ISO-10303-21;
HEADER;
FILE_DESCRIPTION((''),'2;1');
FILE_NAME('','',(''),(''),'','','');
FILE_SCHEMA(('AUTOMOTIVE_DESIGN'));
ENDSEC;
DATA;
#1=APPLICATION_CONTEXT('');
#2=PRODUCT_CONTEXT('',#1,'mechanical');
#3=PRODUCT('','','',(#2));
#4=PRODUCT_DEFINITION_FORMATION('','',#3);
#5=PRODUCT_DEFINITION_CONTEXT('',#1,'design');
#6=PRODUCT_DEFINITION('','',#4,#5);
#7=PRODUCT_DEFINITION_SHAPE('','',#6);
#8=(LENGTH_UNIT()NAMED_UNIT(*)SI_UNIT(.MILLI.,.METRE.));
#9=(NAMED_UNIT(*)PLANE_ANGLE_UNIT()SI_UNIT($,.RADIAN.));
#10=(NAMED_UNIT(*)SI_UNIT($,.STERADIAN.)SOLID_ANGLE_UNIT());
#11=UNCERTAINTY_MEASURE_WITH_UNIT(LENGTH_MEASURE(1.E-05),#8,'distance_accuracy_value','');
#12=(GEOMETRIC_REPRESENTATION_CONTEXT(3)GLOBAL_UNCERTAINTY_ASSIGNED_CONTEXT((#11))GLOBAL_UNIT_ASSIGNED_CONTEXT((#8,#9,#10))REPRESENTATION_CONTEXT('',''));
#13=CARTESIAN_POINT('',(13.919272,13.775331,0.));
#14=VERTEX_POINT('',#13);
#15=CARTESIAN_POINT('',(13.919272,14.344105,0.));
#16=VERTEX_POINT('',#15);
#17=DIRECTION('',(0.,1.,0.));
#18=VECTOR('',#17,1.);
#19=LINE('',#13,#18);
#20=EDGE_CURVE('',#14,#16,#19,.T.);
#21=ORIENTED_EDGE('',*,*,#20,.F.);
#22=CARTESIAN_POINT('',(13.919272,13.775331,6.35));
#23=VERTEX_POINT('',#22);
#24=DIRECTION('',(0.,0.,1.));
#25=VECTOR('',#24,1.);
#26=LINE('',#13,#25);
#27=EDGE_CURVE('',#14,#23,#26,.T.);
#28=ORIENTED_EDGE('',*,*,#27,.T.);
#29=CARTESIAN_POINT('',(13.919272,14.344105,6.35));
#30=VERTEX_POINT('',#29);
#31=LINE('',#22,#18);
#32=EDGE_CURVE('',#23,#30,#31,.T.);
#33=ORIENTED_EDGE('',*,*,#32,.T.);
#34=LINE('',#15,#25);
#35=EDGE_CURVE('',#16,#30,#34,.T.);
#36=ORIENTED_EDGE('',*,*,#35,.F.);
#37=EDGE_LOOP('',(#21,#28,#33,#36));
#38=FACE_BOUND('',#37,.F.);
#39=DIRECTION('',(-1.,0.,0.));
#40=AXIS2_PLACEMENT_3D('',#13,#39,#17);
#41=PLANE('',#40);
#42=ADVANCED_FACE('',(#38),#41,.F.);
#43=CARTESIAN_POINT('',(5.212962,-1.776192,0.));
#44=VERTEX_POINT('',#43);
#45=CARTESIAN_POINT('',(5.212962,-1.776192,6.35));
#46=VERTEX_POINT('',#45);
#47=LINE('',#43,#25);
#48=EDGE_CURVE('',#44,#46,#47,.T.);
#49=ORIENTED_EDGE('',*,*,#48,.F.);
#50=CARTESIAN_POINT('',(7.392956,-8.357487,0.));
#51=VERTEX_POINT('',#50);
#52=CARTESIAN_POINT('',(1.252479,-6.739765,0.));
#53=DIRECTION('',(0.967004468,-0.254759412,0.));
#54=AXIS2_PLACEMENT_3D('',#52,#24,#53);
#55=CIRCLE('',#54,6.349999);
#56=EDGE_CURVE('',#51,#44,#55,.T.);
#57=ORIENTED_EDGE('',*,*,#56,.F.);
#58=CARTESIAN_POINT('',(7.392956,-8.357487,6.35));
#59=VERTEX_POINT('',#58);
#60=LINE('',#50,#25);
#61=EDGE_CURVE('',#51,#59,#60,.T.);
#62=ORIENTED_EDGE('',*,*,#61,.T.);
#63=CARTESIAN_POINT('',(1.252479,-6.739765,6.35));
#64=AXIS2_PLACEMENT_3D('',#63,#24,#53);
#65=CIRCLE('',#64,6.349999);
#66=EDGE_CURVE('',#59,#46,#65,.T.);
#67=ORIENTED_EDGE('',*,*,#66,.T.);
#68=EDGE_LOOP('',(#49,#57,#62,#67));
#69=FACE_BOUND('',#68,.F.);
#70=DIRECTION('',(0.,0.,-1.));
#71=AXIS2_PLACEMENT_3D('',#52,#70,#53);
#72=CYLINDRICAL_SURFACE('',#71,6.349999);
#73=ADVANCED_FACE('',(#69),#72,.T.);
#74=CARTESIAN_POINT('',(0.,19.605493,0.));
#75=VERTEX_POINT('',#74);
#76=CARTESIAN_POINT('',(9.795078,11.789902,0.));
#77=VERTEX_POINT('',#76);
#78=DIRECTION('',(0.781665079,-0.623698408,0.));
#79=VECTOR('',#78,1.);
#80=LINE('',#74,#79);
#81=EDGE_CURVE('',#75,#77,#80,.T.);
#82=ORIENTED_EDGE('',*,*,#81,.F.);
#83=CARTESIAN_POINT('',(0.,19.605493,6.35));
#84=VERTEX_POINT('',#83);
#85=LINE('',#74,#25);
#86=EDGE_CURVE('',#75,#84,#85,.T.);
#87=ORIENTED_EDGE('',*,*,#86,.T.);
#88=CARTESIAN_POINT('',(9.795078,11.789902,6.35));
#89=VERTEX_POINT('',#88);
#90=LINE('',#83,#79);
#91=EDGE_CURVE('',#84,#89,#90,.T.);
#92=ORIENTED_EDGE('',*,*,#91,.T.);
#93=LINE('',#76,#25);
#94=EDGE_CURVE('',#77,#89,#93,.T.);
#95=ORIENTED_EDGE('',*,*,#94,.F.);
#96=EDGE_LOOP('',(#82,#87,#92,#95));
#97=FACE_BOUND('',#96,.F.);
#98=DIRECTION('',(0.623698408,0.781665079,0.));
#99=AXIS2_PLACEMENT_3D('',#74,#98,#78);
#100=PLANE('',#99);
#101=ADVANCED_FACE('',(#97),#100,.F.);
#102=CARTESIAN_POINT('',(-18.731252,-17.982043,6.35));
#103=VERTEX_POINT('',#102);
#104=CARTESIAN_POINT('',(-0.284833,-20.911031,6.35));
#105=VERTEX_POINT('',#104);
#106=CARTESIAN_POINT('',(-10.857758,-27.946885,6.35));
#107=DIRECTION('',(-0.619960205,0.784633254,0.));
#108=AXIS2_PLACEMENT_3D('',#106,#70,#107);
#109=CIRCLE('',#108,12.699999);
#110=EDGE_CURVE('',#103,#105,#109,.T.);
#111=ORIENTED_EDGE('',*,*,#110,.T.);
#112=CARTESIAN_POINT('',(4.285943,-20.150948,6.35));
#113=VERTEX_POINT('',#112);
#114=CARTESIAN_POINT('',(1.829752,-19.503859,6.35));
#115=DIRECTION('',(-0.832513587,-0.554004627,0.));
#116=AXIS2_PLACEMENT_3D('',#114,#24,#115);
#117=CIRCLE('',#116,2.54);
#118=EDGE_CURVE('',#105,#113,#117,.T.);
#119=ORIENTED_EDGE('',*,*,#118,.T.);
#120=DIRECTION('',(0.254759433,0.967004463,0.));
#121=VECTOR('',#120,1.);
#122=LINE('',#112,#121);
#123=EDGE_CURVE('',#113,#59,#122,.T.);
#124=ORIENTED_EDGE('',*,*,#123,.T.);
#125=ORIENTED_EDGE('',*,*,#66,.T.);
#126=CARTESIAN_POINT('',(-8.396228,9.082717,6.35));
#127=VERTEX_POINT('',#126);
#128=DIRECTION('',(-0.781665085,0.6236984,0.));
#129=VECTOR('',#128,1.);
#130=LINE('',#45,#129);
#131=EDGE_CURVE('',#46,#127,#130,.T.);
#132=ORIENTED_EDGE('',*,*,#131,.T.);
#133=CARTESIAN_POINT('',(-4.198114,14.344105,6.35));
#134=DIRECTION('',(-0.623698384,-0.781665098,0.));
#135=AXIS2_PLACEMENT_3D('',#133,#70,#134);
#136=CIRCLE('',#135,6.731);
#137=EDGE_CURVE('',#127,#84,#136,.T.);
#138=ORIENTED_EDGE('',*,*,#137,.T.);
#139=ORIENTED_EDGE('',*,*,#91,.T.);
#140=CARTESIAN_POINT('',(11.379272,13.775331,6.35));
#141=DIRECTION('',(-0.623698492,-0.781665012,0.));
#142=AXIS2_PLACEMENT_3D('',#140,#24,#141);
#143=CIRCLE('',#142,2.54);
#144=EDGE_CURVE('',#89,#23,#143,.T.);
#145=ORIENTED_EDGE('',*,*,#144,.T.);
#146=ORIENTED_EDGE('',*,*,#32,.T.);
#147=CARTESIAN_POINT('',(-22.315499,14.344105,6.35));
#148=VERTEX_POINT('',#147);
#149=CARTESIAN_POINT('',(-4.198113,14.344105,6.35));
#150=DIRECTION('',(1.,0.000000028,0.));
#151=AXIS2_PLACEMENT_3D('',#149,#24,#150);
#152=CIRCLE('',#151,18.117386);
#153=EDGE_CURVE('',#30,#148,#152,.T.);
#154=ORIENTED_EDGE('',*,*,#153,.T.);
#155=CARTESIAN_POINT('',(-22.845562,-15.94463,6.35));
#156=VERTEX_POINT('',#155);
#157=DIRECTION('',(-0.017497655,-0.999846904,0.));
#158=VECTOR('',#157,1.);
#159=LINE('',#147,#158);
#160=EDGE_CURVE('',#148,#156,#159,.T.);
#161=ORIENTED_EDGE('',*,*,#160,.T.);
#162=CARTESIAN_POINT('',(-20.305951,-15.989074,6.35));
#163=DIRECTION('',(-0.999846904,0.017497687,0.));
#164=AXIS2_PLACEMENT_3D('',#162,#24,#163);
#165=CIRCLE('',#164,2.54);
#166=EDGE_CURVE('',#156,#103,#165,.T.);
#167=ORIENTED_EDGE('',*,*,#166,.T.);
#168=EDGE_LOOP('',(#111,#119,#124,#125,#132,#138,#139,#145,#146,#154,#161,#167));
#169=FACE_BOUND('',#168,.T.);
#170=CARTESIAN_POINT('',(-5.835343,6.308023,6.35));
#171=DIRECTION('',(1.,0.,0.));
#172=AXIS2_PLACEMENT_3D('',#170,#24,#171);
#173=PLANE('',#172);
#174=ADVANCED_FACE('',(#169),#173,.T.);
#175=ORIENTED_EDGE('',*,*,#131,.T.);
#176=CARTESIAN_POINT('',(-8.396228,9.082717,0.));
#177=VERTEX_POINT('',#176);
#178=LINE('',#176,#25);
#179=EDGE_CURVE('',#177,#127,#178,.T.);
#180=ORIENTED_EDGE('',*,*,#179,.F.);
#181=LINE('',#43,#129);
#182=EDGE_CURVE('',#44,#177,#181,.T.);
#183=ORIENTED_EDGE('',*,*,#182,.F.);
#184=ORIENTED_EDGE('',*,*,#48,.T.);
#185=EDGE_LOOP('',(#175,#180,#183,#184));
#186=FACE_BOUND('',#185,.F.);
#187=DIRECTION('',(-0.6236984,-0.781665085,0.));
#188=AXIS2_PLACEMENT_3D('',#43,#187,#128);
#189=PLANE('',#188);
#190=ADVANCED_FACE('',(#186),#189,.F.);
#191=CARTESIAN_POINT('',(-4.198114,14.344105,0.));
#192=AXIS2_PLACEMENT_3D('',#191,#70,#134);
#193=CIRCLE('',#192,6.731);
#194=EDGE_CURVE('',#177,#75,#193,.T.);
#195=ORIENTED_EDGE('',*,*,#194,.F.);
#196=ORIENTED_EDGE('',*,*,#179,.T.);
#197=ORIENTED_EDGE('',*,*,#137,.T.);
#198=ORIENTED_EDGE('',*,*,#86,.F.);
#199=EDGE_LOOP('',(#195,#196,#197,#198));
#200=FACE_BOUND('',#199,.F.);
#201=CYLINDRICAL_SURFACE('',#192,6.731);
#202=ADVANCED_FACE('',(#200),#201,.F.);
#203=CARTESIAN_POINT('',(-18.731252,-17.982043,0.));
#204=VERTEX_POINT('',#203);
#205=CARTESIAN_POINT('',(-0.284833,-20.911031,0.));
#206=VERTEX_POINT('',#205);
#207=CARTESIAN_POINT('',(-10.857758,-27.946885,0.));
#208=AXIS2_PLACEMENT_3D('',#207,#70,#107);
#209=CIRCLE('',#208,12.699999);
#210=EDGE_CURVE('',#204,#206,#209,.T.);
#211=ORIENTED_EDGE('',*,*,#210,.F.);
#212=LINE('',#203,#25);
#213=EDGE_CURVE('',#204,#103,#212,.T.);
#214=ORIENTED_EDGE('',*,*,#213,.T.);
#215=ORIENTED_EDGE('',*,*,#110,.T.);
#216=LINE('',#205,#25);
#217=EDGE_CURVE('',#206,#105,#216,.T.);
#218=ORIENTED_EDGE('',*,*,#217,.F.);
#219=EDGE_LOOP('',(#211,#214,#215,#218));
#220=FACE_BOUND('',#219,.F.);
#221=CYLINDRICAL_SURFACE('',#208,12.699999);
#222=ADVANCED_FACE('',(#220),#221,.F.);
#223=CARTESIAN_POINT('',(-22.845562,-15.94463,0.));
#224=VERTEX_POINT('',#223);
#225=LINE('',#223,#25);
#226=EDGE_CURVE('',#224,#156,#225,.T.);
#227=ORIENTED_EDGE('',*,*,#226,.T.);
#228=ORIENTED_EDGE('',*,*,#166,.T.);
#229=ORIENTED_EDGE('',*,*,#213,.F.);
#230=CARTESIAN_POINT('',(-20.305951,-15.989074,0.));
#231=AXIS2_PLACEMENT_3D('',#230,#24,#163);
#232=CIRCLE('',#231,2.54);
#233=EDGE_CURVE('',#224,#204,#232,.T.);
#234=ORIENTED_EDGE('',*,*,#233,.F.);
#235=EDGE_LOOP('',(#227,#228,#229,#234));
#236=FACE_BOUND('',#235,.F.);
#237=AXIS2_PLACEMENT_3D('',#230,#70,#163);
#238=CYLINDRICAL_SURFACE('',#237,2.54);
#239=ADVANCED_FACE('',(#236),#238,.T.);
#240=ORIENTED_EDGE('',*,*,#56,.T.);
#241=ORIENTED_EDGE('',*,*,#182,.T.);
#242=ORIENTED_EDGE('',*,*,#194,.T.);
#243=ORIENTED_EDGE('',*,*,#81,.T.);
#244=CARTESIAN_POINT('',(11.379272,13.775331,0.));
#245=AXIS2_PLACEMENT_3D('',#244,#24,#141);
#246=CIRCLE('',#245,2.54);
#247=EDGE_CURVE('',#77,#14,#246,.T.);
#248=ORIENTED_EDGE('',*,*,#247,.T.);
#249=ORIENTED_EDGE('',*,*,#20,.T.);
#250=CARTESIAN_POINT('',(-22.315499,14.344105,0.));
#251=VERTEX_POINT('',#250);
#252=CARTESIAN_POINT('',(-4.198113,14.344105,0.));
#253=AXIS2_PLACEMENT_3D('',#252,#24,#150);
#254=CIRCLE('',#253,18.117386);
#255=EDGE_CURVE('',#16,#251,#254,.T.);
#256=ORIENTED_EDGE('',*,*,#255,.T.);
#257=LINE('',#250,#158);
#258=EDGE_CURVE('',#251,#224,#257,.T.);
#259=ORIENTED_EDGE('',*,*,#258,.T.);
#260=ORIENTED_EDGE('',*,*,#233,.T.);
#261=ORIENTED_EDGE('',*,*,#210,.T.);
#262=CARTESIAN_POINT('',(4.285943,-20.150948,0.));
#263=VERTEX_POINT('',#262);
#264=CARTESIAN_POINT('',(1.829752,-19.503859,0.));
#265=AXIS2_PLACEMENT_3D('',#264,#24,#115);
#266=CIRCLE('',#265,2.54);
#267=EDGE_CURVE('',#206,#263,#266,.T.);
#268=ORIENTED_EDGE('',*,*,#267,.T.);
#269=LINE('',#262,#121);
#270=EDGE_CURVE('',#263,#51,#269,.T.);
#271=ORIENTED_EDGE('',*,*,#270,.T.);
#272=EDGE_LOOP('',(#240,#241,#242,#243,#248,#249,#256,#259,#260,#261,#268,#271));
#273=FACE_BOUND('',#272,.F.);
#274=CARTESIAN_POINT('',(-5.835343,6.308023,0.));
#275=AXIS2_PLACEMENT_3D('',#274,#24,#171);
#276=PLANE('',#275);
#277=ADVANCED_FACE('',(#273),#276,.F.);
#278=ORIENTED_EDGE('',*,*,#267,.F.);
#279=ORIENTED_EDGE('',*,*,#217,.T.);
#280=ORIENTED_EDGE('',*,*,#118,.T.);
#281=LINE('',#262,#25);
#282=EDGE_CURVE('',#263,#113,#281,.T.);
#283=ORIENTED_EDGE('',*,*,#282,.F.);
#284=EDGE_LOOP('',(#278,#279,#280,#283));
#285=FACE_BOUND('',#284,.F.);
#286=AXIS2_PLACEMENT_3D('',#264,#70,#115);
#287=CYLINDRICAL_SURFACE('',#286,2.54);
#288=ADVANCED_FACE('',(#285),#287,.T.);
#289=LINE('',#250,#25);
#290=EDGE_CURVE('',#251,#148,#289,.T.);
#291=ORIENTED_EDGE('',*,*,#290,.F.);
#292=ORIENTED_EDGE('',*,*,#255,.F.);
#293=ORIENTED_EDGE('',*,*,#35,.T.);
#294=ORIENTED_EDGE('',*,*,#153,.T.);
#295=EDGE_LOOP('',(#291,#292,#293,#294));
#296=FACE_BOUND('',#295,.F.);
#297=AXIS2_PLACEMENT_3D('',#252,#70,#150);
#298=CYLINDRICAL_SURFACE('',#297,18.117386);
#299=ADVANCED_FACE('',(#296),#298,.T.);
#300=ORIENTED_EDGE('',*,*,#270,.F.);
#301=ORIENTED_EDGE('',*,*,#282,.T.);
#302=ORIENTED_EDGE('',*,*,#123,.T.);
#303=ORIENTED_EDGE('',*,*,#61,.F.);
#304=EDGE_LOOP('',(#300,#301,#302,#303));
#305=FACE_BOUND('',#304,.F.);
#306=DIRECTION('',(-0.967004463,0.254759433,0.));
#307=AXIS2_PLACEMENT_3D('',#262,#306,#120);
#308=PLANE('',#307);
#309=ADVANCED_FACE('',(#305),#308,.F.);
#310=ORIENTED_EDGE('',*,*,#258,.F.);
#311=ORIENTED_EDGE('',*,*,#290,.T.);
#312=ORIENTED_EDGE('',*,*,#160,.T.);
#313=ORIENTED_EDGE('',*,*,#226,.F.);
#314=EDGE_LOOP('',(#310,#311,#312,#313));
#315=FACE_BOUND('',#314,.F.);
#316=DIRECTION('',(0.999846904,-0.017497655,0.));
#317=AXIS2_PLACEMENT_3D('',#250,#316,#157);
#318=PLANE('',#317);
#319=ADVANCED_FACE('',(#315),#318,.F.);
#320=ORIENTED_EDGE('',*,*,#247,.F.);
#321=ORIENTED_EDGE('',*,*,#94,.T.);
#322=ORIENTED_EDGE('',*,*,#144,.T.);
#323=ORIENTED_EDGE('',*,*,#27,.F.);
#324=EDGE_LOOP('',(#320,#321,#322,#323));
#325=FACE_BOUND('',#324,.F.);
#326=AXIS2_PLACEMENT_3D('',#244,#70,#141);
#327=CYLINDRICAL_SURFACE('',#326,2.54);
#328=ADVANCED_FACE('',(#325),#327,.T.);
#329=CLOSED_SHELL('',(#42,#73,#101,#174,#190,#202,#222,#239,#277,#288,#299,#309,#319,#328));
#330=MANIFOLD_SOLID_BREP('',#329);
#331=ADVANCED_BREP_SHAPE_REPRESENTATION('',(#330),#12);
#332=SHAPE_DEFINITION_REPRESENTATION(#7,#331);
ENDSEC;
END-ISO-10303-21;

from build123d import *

# Parameters (mm, degrees)
F1_DEPTH = 6.35


with BuildPart() as f1:
    # F0 (on Top) → F1 (new body)
    with BuildSketch(Plane.XY):
        with BuildLine():
            ThreePointArc((-18.731252, -17.982043), (-8.866157, -15.404018), (-0.284833, -20.911031))
            ThreePointArc((-0.284833, -20.911031), (2.246411, -22.009452), (4.285943, -20.150948))
            Line((4.285943, -20.150948), (7.392956, -8.357487))
            ThreePointArc((7.392956, -8.357487), (7.28039, -4.743075), (5.212962, -1.776192))
            Line((5.212962, -1.776192), (-8.396228, 9.082717))
            ThreePointArc((-8.396228, 9.082717), (-9.459502, 18.542219), (0, 19.605493))
            Line((0, 19.605493), (9.795078, 11.789902))
            ThreePointArc((9.795078, 11.789902), (12.481031, 11.486723), (13.919272, 13.775331))
            Line((13.919272, 13.775331), (13.919272, 14.344105))
            ThreePointArc((13.919272, 14.344105), (-4.198114, 32.46149), (-22.315499, 14.344105))
            Line((-22.315499, 14.344105), (-22.845562, -15.94463))
            ThreePointArc((-22.845562, -15.94463), (-21.433128, -18.265271), (-18.731252, -17.982043))
        make_face()
    extrude(amount=F1_DEPTH)


solid = f1.part
